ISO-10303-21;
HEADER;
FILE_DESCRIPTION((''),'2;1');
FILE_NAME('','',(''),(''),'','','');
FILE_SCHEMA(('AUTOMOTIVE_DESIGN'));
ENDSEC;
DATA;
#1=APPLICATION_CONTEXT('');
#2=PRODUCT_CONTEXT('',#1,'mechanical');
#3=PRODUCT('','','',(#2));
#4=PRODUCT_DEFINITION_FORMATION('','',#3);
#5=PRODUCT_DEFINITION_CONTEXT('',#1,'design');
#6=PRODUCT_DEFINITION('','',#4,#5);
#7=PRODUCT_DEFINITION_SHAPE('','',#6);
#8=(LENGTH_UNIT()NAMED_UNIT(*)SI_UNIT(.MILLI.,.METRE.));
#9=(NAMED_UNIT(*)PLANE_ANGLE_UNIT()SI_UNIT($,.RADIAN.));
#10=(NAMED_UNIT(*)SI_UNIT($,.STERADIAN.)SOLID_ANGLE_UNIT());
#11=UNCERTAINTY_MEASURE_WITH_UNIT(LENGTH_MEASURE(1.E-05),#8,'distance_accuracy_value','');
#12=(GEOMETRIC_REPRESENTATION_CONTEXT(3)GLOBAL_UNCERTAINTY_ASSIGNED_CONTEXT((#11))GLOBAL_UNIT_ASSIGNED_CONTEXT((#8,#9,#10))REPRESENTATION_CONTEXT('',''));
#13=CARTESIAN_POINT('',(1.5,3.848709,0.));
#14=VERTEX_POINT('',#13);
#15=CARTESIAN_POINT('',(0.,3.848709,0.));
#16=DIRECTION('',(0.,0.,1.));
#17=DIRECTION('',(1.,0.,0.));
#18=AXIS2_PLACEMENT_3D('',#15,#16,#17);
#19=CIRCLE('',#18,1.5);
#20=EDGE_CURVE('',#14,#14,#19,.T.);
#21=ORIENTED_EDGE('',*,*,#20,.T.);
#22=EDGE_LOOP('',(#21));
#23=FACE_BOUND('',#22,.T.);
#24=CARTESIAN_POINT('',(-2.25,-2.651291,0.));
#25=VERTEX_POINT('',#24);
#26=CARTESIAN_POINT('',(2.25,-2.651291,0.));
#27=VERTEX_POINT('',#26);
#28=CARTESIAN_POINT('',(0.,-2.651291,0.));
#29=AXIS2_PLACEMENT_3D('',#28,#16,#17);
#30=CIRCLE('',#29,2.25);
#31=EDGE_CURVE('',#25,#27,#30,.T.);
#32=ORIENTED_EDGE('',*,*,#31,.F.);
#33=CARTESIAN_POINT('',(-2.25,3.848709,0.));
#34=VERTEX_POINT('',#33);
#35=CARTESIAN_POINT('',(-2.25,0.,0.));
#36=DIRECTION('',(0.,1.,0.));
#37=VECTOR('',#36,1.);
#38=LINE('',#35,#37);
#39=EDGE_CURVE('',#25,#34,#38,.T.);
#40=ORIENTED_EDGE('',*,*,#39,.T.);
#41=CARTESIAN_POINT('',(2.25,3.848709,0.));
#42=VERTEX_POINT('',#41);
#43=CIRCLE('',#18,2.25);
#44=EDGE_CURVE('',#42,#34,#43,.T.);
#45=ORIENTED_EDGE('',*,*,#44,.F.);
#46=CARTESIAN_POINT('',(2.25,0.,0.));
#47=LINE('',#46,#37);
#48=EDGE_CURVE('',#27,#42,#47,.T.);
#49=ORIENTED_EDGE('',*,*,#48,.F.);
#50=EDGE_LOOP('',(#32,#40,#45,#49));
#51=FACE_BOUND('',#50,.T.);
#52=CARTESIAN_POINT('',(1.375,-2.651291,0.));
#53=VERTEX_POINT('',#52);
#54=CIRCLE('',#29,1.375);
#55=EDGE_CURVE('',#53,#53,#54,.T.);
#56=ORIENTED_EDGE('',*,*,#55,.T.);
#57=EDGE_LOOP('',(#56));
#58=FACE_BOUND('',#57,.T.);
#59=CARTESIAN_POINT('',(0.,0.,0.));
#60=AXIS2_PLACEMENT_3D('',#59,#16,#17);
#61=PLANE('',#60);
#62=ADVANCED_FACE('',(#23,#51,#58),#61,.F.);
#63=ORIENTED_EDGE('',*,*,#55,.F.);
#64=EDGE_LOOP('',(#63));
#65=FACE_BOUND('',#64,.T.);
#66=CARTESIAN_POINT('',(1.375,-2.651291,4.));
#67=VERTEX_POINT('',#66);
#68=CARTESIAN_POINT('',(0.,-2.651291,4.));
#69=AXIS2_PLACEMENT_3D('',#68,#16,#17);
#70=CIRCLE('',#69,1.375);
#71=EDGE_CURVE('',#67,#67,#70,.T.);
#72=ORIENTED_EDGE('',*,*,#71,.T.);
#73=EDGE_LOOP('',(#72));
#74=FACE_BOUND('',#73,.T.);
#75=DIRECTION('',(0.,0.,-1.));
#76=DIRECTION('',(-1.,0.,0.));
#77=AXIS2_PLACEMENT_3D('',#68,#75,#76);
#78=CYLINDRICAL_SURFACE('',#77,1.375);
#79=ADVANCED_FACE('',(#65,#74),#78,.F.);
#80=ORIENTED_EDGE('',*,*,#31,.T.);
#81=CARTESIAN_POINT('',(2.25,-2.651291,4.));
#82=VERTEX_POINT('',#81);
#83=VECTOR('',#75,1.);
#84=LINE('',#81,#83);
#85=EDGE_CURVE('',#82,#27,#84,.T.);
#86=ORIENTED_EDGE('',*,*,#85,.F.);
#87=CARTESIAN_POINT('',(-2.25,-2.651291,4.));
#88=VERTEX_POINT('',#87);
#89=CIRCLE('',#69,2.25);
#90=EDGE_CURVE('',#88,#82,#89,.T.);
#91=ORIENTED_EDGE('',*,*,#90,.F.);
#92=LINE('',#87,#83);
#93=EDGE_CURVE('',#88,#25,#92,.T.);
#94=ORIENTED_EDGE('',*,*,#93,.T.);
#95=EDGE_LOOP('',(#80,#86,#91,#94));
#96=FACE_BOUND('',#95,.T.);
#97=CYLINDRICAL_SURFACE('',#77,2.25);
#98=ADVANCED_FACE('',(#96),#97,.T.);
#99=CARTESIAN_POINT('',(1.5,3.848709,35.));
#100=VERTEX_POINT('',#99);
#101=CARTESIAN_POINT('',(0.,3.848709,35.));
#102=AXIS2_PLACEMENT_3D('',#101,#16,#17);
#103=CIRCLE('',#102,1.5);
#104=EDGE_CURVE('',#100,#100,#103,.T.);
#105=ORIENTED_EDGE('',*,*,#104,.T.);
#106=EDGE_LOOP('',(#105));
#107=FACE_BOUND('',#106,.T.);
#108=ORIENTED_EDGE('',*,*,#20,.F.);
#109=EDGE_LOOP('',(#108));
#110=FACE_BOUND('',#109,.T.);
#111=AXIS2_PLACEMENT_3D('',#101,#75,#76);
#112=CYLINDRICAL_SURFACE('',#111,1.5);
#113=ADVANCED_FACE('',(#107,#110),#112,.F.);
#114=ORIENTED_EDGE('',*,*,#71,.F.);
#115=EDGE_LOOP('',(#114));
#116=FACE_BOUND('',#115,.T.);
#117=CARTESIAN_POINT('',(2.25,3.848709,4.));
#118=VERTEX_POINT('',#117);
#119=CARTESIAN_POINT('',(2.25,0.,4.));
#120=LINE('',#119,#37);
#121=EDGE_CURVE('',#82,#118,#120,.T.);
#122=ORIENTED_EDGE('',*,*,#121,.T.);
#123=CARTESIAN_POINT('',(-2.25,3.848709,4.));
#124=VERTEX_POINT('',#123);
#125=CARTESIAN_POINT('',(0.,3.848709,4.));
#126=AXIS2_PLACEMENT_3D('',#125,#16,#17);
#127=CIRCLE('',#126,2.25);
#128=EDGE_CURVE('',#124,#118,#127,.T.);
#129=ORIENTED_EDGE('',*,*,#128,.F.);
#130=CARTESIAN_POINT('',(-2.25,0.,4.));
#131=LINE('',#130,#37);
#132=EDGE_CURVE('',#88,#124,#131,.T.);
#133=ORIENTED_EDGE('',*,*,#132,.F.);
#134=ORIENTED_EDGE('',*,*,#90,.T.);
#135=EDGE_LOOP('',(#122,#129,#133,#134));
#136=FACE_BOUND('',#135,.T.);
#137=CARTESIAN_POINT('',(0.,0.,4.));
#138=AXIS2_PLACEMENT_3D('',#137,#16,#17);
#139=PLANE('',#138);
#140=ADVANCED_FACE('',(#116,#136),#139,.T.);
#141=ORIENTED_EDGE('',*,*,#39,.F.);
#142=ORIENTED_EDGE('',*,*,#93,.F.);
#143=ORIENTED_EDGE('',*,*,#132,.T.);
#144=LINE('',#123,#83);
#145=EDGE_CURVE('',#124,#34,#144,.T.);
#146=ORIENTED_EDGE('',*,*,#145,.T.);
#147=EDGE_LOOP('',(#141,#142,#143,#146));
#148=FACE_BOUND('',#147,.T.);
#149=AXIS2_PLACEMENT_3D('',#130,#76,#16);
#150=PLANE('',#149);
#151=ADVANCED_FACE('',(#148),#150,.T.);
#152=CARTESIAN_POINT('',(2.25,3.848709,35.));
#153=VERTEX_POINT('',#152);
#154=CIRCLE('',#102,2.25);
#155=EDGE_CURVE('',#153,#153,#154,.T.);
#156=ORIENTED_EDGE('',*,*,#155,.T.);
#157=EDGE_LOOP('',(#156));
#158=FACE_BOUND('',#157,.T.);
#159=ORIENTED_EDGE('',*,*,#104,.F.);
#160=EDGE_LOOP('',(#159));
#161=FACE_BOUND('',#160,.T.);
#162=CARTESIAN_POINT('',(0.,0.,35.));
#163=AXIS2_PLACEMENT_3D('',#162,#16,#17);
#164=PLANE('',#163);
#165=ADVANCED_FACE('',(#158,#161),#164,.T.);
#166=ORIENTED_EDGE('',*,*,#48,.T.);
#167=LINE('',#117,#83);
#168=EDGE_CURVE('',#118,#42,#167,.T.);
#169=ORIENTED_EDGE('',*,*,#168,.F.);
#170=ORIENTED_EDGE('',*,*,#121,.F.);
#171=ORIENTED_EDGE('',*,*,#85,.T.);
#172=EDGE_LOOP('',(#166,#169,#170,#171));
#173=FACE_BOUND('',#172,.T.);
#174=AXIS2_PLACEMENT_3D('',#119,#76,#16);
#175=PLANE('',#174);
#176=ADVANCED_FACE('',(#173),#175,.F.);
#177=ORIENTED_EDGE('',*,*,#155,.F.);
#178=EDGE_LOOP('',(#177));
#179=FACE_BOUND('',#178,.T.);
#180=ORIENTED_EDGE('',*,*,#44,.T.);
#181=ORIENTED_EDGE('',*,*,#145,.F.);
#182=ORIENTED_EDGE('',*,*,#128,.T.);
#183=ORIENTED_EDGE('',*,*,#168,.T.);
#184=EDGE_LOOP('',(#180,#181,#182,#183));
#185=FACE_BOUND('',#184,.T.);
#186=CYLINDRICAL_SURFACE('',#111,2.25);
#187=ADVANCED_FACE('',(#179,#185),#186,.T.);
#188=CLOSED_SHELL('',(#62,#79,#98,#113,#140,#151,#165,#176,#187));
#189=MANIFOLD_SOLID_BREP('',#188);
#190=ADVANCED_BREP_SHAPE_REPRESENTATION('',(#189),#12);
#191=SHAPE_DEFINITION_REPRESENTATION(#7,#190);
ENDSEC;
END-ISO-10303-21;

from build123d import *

# Parameters (mm, degrees)
SKETCH1_R           = 1.375
BOSS_EXTRUDE1_DEPTH = 4
SKETCH1_4_R         = 1.5
BOSS_EXTRUDE3_DEPTH = 35


with BuildPart() as part:
    # Sketch1 → Boss-Extrude1 (new body)
    with BuildSketch(Plane.XY):
        with BuildLine():
            Line((-2.25, 3.84870854), (-2.25, -2.65129146))
            ThreePointArc((-2.25, -2.65129146), (0, -4.90129146), (2.25, -2.65129146))
            Line((2.25, -2.65129146), (2.25, 3.84870854))
            ThreePointArc((2.25, 3.84870854), (0, 1.59870854), (-2.25, 3.84870854))
        make_face()
        with Locations((0, -2.65129146)):
            Circle(SKETCH1_R, mode=Mode.SUBTRACT)
    extrude(amount=BOSS_EXTRUDE1_DEPTH)

    # Sketch1<4> → Boss-Extrude3 (add)
    with BuildSketch(Plane.XY):
        with BuildLine():
            ThreePointArc((2.25, 3.84870854), (0, 6.09870854), (-2.25, 3.84870854))
            ThreePointArc((-2.25, 3.84870854), (0, 1.59870854), (2.25, 3.84870854))
        make_face()
        with Locations((0, 3.84870854)):
            Circle(SKETCH1_4_R, mode=Mode.SUBTRACT)
    extrude(amount=BOSS_EXTRUDE3_DEPTH)


solid = part.part
